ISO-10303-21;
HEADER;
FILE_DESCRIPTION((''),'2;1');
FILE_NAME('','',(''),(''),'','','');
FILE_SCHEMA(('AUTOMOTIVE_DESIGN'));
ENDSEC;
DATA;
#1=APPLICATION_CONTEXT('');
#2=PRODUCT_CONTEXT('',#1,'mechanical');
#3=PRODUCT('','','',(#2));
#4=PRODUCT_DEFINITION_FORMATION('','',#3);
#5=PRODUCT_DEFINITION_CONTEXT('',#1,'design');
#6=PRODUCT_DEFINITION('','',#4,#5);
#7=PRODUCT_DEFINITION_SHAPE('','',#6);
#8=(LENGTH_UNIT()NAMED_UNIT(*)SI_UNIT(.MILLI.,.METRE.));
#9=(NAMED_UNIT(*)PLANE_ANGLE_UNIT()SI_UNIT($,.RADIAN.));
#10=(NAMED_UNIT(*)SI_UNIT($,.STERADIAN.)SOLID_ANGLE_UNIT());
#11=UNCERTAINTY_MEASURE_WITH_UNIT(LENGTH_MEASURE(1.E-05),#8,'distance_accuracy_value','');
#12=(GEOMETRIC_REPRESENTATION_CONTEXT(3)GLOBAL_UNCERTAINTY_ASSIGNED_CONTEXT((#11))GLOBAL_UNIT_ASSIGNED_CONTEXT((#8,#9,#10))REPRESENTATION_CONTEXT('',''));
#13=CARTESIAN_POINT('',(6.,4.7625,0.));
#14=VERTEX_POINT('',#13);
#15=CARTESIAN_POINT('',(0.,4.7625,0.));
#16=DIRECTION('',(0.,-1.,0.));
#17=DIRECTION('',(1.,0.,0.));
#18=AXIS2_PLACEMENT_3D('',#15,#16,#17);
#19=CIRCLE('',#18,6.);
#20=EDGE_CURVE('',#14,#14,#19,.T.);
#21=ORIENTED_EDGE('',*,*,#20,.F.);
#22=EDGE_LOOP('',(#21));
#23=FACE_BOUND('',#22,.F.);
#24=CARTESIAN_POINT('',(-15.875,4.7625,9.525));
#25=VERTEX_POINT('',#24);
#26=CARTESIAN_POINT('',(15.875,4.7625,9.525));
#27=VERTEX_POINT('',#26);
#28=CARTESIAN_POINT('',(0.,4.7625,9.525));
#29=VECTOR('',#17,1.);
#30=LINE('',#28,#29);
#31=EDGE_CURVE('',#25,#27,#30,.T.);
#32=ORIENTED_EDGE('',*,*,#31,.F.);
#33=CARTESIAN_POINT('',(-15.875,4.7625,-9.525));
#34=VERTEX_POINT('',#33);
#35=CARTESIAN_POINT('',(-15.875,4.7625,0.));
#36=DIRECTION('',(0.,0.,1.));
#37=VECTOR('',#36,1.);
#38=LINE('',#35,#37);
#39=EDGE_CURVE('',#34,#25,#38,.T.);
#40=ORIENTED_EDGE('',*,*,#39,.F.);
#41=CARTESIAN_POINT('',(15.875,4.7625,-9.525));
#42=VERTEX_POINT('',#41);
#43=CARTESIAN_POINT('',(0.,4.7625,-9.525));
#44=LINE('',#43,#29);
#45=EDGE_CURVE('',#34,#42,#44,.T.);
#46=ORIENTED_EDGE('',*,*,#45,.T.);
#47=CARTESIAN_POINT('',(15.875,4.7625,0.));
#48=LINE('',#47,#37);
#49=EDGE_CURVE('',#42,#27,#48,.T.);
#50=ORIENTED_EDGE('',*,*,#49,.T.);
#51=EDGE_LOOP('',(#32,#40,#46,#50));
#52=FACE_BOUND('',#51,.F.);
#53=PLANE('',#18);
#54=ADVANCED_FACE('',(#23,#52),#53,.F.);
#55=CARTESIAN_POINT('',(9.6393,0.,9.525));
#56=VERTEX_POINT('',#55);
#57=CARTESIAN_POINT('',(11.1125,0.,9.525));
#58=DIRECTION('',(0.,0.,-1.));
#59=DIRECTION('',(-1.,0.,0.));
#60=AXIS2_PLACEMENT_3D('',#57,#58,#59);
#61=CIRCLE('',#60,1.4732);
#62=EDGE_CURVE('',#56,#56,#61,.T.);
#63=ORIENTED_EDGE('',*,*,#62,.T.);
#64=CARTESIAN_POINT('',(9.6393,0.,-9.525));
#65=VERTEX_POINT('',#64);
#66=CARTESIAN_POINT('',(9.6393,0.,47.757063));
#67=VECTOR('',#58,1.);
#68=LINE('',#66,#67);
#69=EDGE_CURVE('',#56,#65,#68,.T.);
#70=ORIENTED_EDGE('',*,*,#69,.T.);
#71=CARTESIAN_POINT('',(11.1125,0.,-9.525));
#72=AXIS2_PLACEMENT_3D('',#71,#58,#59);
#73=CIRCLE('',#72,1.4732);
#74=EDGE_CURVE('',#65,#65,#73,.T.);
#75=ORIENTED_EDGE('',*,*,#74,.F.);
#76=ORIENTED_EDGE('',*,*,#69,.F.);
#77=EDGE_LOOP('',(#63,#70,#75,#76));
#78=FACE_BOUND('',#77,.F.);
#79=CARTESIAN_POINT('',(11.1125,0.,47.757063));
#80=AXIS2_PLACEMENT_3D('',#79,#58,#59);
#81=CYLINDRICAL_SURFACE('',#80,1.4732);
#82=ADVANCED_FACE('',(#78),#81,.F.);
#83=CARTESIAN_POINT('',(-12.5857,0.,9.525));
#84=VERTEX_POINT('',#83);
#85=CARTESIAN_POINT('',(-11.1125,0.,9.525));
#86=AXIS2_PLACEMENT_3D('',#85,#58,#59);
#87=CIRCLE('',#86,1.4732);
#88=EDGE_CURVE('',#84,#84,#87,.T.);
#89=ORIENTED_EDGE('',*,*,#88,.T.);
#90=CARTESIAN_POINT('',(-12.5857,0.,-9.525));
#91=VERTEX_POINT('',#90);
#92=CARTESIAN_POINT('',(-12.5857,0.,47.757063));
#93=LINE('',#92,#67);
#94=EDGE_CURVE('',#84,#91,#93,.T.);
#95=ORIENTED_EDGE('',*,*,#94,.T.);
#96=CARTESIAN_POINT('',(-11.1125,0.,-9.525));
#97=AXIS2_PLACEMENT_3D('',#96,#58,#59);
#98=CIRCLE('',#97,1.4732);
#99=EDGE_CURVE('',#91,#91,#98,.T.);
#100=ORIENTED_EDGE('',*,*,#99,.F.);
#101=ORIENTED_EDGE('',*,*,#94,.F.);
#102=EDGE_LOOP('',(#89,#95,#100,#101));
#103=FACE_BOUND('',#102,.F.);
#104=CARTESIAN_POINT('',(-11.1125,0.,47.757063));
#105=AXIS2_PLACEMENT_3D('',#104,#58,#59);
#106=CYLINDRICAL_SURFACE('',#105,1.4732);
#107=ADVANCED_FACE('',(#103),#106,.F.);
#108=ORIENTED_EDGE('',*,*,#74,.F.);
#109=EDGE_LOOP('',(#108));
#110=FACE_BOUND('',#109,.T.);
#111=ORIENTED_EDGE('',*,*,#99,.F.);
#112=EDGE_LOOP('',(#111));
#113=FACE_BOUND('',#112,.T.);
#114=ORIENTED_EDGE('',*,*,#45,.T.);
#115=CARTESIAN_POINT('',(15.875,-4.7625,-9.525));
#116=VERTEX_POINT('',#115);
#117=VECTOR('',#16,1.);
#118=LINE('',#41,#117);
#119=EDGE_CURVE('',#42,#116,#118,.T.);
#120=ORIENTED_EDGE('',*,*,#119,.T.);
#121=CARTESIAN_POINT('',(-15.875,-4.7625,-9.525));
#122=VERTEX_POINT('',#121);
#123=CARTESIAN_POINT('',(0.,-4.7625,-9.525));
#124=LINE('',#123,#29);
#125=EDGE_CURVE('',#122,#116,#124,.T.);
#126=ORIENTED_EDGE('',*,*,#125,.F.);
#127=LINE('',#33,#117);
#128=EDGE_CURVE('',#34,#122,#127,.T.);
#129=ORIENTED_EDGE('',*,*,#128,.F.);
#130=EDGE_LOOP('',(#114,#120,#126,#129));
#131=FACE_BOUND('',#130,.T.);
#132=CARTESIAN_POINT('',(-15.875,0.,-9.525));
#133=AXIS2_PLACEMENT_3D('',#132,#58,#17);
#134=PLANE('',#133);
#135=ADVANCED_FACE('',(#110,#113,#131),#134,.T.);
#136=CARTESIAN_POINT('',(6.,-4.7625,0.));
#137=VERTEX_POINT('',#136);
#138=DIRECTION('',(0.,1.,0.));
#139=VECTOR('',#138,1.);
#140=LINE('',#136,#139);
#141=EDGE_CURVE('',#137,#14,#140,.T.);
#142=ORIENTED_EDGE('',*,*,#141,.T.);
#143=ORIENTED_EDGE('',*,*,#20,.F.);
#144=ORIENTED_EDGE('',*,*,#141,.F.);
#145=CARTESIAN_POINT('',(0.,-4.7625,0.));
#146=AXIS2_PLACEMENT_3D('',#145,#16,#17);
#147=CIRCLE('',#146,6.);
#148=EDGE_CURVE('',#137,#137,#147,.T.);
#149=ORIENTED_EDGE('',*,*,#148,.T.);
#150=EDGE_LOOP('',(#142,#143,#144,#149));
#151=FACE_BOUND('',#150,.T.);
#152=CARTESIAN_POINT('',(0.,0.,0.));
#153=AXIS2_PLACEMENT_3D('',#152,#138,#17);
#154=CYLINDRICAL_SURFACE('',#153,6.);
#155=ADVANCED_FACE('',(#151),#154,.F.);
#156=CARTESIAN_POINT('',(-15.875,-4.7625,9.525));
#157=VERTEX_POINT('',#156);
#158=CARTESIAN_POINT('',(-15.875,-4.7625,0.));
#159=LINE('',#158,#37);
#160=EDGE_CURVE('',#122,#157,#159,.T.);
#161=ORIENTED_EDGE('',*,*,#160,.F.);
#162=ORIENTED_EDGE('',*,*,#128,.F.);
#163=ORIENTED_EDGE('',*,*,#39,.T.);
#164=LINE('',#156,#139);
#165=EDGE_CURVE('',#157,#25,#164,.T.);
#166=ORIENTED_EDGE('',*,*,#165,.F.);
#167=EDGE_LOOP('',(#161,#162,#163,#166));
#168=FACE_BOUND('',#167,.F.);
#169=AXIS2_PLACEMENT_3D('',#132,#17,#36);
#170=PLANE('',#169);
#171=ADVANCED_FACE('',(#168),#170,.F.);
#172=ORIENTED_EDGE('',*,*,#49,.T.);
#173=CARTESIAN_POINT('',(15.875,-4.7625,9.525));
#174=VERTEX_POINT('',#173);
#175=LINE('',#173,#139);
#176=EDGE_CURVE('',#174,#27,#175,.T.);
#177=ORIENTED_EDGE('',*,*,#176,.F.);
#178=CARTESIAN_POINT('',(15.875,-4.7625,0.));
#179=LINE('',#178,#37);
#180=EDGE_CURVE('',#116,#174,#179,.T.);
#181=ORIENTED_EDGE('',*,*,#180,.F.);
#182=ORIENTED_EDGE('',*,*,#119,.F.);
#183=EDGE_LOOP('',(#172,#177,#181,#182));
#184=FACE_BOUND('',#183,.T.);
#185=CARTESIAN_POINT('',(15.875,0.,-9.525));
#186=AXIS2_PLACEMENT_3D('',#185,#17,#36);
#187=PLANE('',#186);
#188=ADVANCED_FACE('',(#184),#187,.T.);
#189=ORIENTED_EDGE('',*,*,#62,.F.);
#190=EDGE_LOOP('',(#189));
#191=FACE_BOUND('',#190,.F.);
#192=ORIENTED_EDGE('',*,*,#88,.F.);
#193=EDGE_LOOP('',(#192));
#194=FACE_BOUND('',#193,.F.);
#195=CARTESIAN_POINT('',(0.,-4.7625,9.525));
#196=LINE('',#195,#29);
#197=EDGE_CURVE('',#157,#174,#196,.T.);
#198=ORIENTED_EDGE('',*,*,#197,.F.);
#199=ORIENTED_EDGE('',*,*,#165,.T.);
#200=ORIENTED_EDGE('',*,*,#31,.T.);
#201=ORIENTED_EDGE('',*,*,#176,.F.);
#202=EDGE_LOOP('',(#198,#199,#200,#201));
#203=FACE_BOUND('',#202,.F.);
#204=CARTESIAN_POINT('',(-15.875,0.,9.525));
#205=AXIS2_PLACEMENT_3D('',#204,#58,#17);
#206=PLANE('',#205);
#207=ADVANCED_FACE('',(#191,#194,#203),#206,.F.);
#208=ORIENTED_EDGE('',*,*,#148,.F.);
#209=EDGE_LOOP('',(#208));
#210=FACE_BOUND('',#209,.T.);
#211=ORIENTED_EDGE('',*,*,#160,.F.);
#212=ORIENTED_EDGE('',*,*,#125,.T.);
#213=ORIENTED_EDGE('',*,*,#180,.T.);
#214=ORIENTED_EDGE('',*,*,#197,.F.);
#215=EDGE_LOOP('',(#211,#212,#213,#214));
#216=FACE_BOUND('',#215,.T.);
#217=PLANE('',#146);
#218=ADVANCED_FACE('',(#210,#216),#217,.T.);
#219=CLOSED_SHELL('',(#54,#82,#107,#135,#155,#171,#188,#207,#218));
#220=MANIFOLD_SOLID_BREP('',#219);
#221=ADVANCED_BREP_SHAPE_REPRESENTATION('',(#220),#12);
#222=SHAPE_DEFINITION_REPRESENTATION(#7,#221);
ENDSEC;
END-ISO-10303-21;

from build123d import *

# Parameters (mm, degrees)
F0_W     = 31.75
F0_H     = 19.05
F0_R     = 6
F1_DEPTH = 4.7625
F3_D     = 2.9464


with BuildPart() as f1:
    # F0 (on Front) → F1 (new body, symmetric)
    with BuildSketch(Plane.XZ):
        Rectangle(F0_W, F0_H)
        Circle(F0_R, mode=Mode.SUBTRACT)
    extrude(amount=F1_DEPTH, both=True)

    # F3 (through all)
    with Locations(Plane.XY.offset(9.525)):
        with Locations((-11.1125, 0), (11.1125, 0)):
            Hole(F3_D / 2)


solid = f1.part
